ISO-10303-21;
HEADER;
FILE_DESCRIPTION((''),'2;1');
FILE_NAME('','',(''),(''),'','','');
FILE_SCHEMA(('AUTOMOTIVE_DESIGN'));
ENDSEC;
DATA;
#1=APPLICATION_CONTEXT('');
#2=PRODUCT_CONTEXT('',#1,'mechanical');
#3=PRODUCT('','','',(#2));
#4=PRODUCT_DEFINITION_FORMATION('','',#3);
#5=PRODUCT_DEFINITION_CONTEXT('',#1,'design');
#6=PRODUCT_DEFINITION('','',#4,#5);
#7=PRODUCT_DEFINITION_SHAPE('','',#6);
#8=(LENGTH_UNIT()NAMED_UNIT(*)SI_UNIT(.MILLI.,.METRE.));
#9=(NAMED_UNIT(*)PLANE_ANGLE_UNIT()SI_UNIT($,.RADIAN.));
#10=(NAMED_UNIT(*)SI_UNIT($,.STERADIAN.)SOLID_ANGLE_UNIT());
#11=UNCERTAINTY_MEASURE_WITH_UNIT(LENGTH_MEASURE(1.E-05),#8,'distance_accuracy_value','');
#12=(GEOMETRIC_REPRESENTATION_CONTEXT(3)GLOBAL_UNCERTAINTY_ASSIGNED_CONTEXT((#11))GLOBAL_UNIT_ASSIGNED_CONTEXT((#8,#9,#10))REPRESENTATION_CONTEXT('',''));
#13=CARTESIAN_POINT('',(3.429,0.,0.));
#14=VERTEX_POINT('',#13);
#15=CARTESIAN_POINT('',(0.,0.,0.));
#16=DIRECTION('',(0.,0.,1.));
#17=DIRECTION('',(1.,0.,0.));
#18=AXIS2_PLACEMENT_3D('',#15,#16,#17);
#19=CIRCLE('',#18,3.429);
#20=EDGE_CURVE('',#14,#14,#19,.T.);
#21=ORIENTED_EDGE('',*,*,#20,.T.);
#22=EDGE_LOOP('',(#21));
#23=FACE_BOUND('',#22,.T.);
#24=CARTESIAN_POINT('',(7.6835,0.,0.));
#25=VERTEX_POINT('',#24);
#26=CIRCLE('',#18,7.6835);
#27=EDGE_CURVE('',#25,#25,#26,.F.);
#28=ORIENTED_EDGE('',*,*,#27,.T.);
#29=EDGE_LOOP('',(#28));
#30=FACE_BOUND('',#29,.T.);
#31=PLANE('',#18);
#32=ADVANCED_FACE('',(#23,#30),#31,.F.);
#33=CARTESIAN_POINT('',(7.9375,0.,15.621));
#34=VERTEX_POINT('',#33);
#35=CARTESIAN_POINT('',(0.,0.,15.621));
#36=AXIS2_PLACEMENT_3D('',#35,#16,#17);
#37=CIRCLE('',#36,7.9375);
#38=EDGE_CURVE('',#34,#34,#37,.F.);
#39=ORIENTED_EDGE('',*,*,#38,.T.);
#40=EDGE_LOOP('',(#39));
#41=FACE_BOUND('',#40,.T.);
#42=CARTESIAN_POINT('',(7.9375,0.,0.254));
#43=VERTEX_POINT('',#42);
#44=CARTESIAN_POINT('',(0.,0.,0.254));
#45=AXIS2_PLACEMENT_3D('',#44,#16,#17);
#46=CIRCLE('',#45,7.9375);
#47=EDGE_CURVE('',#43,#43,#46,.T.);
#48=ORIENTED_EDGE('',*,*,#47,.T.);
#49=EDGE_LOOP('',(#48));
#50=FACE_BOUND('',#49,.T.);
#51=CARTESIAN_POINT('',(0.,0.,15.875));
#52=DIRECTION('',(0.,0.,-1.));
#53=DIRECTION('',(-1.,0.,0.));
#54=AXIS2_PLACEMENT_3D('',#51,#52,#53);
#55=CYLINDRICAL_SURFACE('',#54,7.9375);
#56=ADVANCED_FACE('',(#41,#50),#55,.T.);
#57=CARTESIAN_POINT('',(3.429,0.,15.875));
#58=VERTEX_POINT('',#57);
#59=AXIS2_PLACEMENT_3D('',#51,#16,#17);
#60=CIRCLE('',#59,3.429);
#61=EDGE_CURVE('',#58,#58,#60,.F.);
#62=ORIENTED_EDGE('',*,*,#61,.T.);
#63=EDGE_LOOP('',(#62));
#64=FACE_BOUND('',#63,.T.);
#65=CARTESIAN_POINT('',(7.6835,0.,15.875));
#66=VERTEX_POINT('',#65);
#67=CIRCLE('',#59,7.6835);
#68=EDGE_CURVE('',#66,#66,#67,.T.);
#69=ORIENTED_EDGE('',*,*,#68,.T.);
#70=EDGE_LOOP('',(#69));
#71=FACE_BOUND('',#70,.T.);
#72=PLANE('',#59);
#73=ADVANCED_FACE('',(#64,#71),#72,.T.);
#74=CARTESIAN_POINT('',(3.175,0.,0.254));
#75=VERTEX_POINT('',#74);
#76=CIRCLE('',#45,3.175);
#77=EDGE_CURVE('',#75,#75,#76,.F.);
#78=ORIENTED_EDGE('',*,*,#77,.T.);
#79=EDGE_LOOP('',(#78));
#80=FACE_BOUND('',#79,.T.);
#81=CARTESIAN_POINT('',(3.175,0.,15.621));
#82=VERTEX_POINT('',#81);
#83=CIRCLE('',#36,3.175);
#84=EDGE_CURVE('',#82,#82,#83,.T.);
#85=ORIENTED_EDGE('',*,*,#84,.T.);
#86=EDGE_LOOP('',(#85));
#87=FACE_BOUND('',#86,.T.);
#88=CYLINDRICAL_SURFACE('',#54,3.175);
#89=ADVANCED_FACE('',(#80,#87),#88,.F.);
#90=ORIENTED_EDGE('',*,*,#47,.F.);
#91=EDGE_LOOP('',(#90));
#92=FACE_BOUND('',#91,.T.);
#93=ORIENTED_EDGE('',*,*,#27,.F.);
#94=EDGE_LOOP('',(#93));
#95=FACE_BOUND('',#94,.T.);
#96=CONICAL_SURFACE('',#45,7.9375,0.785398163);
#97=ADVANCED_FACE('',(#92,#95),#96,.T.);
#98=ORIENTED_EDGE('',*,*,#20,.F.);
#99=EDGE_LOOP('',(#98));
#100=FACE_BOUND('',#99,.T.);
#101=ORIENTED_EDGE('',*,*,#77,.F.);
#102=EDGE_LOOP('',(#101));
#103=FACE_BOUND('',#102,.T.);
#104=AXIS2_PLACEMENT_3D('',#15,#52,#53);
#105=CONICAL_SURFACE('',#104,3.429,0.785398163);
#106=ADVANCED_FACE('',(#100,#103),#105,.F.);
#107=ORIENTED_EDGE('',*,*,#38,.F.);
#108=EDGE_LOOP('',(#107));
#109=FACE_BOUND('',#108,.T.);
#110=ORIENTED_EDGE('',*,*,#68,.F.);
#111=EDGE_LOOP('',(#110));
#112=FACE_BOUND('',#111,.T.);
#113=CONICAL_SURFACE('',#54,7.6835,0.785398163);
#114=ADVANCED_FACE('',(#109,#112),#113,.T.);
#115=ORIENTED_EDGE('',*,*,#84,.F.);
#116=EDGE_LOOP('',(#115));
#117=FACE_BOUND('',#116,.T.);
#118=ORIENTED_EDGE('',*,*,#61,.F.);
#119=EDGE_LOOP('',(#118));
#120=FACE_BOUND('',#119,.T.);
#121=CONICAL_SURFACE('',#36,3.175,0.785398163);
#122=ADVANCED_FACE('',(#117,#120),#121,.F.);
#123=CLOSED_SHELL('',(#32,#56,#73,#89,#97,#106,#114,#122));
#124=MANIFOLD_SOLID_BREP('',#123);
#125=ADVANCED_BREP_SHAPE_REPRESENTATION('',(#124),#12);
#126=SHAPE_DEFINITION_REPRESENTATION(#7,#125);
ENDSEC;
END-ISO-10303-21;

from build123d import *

# Parameters (mm, degrees)
SKETCH1_R           = 7.9375
SKETCH1_R_2         = 3.175
BOSS_EXTRUDE1_DEPTH = 15.875
CHAMFER1_SIZE       = 0.254


with BuildPart() as part:
    # Sketch1 → Boss-Extrude1 (new body)
    with BuildSketch(Plane.XY):
        Circle(SKETCH1_R)
        Circle(SKETCH1_R_2, mode=Mode.SUBTRACT)
    extrude(amount=BOSS_EXTRUDE1_DEPTH)

    # Chamfer1
    chamfer1_edges = [part.edges().sort_by_distance(p)[0] for p in [
        (-7.9375, 0, 0),
        (-7.9375, 0, 15.875),
        (-3.175, 0, 0),
        (-3.175, 0, 15.875),
    ]]
    chamfer(chamfer1_edges, length=CHAMFER1_SIZE)


solid = part.part
